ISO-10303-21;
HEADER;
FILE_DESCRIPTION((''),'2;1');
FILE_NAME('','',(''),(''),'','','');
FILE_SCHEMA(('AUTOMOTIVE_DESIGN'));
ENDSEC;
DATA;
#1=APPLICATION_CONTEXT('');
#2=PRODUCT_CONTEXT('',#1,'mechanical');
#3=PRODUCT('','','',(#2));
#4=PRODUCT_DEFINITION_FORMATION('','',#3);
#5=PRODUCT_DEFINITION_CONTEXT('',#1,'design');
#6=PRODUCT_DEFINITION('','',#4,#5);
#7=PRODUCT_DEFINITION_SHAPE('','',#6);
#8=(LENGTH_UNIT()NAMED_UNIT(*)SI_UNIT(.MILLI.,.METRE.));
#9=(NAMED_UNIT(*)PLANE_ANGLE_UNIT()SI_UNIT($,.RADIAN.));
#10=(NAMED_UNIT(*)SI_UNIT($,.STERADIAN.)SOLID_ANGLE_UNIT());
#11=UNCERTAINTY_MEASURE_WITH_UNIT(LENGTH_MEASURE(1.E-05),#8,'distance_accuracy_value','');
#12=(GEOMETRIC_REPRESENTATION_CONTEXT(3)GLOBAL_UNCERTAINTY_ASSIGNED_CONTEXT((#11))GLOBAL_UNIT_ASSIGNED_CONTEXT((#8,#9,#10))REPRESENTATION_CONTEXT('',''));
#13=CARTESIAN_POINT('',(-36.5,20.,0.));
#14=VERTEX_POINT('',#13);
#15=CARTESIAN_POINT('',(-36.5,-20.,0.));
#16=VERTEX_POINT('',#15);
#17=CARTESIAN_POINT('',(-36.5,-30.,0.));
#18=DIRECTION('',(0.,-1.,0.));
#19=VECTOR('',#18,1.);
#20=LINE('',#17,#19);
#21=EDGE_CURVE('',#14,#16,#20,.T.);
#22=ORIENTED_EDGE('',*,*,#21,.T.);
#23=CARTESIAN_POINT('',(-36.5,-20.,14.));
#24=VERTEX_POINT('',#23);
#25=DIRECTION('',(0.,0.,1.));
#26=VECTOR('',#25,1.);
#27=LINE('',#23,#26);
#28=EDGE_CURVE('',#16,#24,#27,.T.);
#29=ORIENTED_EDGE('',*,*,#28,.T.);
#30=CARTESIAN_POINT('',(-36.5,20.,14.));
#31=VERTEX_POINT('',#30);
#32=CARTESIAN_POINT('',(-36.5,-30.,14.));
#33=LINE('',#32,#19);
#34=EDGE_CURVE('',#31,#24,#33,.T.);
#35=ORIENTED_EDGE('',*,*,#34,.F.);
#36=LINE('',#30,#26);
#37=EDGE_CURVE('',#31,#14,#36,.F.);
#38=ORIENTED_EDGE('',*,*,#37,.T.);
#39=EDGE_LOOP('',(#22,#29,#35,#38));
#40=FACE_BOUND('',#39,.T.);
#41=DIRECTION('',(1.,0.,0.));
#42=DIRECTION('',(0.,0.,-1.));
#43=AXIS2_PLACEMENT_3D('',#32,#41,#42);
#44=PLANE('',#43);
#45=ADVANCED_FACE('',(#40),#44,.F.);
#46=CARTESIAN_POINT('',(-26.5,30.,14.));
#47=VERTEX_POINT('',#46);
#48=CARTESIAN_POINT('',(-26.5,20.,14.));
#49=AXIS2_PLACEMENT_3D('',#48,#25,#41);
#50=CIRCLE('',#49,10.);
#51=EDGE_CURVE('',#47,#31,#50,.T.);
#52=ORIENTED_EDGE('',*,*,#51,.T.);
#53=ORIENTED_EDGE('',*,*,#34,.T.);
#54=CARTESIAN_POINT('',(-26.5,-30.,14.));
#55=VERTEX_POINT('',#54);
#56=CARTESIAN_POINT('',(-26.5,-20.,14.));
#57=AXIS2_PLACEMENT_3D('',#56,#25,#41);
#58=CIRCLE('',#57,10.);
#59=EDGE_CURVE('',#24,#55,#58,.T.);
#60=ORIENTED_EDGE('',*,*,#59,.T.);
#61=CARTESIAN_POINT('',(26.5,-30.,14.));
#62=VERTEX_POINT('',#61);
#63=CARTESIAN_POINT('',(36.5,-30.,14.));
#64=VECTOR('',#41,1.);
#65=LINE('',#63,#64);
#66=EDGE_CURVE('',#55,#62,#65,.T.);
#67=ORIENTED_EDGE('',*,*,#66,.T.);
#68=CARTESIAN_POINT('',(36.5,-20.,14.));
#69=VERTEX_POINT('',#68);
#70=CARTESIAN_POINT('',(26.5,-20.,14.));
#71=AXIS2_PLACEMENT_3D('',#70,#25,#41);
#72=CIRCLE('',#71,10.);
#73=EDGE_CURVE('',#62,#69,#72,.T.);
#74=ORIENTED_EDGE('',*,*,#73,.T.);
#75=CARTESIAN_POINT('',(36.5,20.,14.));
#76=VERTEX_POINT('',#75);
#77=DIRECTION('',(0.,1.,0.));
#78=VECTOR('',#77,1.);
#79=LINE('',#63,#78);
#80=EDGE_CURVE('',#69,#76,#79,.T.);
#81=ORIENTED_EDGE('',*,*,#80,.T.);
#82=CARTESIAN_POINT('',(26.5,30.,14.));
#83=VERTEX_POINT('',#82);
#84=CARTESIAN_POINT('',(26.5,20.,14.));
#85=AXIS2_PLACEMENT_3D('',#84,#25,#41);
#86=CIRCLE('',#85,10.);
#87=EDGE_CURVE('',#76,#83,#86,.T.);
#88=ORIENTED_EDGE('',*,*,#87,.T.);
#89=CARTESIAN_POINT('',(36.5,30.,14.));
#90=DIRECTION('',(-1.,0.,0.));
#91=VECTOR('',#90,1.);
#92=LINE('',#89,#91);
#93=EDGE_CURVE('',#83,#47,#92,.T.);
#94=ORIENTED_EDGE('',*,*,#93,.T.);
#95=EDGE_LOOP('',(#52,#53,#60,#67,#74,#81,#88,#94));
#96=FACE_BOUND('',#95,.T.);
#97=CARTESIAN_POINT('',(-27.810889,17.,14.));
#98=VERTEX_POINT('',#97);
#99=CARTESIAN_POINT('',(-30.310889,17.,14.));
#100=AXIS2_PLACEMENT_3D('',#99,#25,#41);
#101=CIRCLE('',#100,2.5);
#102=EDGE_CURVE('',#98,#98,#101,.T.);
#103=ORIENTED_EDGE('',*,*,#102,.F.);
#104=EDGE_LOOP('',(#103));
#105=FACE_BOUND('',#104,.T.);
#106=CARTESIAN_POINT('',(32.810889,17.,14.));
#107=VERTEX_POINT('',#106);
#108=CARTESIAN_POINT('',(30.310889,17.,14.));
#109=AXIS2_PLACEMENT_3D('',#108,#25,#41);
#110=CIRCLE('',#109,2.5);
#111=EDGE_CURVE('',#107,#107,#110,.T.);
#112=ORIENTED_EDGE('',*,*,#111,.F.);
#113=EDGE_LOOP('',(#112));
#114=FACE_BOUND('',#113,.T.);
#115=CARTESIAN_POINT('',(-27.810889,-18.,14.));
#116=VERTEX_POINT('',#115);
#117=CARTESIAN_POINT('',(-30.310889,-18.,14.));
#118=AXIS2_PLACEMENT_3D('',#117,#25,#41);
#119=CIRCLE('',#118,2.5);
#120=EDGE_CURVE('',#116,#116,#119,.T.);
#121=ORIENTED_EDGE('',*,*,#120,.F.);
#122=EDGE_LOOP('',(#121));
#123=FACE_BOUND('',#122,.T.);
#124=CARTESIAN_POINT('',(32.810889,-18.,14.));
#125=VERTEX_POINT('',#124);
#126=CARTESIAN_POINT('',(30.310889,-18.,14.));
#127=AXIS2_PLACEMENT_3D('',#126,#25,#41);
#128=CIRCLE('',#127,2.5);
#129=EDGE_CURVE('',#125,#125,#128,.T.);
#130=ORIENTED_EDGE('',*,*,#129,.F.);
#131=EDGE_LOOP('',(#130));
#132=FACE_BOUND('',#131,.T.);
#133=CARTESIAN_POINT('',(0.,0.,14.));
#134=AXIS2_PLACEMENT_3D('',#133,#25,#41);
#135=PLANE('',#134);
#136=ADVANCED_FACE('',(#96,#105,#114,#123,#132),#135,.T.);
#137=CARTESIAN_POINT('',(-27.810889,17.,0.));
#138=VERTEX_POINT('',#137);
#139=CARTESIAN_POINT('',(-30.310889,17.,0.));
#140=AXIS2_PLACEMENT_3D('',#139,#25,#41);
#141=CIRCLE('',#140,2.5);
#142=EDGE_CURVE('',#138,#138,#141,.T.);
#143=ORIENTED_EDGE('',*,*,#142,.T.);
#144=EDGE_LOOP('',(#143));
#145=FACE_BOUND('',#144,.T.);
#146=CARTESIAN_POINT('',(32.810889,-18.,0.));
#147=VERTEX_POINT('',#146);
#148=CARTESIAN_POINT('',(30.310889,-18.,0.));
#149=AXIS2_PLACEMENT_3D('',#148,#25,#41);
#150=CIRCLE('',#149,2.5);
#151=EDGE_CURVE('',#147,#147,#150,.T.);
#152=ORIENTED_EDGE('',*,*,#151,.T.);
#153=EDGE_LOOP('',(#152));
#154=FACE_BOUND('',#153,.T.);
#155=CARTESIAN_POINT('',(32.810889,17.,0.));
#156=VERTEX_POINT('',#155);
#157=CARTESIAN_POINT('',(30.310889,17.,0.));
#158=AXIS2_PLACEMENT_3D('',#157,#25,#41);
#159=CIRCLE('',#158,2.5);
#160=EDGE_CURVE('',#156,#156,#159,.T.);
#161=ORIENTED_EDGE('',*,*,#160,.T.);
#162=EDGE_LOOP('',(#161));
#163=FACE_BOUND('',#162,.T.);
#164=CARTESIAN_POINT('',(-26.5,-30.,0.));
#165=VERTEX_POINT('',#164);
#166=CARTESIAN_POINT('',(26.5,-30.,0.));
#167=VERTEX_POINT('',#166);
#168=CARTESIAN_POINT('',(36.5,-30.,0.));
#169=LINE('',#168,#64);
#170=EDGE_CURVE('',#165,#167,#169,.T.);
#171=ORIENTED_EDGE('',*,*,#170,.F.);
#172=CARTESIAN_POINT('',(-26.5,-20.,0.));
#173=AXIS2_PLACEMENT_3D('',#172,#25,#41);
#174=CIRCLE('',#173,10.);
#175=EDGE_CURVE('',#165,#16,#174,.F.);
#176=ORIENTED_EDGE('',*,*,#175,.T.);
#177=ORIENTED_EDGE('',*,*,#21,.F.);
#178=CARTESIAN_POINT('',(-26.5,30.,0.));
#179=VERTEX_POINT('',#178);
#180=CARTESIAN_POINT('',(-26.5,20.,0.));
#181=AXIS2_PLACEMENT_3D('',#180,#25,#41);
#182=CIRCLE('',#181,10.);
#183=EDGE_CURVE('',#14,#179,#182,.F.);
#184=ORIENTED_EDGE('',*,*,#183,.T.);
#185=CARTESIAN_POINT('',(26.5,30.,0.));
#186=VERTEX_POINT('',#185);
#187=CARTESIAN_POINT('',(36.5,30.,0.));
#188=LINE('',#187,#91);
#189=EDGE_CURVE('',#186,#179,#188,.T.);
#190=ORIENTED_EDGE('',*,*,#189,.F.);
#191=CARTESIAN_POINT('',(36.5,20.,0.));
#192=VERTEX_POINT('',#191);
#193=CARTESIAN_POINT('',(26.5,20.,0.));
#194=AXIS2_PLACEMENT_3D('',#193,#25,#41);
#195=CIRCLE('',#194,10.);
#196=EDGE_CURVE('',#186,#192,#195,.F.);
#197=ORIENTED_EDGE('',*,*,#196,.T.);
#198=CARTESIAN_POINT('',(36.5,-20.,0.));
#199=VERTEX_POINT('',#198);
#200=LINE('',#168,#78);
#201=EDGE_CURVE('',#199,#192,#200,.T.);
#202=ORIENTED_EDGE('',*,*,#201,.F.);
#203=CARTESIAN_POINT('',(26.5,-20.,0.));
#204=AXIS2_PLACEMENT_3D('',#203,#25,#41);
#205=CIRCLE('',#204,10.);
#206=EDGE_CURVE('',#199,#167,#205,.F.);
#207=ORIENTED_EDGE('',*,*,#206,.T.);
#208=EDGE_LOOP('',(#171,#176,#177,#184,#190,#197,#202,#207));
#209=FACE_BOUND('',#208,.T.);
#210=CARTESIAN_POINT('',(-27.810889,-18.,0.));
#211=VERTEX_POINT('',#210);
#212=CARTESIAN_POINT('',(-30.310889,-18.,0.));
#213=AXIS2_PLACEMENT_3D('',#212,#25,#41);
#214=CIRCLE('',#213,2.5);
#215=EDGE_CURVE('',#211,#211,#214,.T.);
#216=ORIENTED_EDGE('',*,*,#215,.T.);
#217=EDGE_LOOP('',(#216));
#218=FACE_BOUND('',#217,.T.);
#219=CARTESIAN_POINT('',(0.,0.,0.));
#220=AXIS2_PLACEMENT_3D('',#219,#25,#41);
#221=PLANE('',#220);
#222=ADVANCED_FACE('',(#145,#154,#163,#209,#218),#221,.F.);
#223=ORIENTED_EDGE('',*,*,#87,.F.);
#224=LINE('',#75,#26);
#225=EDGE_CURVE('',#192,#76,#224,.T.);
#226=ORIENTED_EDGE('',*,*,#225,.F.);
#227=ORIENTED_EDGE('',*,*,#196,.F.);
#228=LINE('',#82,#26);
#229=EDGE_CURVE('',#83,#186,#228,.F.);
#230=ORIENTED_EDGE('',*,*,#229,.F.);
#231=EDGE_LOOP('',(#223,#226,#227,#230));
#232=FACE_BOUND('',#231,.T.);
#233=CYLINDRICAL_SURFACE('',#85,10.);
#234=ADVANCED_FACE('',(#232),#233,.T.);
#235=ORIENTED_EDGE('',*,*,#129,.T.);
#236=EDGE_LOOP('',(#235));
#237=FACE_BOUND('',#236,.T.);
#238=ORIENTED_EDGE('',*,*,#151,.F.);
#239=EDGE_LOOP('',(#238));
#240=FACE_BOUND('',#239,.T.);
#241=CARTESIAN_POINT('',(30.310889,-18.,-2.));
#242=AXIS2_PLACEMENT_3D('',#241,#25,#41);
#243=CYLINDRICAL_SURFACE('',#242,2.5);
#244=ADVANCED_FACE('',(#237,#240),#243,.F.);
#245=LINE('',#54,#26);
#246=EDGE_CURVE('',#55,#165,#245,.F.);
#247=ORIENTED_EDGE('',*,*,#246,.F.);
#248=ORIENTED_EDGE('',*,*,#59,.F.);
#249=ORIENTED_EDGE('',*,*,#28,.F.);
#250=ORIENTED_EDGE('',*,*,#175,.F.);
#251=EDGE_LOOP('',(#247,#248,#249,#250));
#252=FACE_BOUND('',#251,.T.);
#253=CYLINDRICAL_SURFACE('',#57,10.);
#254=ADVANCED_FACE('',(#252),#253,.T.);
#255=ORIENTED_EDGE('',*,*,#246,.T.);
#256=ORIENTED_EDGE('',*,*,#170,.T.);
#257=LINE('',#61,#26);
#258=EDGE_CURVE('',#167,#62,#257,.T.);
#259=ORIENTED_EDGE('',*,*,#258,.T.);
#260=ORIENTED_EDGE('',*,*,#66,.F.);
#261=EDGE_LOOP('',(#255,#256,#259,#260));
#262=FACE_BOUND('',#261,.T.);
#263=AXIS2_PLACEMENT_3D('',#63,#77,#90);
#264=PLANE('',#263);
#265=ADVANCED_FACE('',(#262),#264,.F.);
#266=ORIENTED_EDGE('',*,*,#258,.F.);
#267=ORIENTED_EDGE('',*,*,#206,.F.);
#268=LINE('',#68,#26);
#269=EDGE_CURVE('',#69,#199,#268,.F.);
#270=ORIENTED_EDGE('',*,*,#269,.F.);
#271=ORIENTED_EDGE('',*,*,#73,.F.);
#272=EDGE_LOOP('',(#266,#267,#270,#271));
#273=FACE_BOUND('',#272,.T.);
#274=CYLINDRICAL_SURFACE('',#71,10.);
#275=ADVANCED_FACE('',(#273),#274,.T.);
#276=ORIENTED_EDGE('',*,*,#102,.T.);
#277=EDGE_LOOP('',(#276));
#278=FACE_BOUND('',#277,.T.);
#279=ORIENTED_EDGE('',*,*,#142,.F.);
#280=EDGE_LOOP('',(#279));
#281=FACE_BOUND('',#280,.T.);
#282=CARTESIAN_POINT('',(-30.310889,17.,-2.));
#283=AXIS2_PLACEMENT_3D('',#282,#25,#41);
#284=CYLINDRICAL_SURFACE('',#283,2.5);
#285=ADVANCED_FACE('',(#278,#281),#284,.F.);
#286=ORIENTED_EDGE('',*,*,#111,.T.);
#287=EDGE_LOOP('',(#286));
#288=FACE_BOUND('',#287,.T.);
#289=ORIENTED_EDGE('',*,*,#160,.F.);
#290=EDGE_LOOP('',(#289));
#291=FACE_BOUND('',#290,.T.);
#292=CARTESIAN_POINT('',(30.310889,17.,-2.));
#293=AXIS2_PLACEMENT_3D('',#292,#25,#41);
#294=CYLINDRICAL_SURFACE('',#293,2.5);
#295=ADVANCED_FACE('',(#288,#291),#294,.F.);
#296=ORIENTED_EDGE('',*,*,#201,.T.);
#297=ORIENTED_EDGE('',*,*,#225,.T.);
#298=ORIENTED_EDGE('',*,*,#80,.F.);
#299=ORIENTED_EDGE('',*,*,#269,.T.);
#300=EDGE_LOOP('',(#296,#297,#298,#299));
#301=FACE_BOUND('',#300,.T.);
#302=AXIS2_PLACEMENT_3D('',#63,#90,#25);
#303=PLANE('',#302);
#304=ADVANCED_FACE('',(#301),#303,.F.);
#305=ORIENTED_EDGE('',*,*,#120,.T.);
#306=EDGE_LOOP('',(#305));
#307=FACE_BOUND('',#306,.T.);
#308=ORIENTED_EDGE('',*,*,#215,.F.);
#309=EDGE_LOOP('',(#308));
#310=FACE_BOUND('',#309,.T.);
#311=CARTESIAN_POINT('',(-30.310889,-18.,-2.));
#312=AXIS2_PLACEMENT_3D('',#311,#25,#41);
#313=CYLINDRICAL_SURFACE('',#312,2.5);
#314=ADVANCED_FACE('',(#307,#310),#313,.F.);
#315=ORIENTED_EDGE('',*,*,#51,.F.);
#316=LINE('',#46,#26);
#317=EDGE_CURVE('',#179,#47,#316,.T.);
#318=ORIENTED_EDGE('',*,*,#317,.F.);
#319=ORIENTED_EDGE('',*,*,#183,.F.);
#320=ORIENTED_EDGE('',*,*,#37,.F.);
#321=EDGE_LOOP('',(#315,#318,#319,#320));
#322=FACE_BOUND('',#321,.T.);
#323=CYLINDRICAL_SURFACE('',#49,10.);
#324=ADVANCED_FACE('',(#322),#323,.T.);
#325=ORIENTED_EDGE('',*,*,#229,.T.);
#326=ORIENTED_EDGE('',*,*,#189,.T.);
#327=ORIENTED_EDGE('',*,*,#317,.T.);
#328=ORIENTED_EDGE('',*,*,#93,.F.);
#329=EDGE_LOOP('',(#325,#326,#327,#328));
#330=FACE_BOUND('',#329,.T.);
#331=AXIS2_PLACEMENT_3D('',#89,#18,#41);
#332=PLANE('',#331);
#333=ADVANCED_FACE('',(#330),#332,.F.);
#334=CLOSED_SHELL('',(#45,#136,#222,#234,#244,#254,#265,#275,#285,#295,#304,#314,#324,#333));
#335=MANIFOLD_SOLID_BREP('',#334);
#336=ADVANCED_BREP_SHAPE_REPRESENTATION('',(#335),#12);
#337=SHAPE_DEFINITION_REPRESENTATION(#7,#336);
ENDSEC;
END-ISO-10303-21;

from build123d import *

# Parameters (mm, degrees)
SKETCH1_W          = 73
SKETCH1_H          = 60
PLATE_DEPTH        = 14
SKETCH2_R          = 2.5
CUT_EXTRUDE4_DEPTH = 16
FILLET1_R          = 10
FILLET2_R          = 10
FILLET3_R          = 10
FILLET4_R          = 10


with BuildPart() as part:
    # Sketch1 → Plate (new body)
    with BuildSketch(Plane.XY):
        Rectangle(SKETCH1_W, SKETCH1_H)
    extrude(amount=PLATE_DEPTH)

    # Sketch2 → Cut-Extrude4 (cut)
    with BuildSketch(Plane.XY.offset(14)):
        with Locations((-30.310889135, 17)):
            Circle(SKETCH2_R)
        with Locations((30.310889135, 17)):
            Circle(SKETCH2_R)
        with Locations((30.310889135, -18)):
            Circle(SKETCH2_R)
        with Locations((-30.310889135, -18)):
            Circle(SKETCH2_R)
    extrude(amount=-CUT_EXTRUDE4_DEPTH, mode=Mode.SUBTRACT)

    # Fillet1
    fillet1_edges = [part.edges().sort_by_distance(p)[0] for p in [
        (36.5, -30, 7),
    ]]
    fillet(fillet1_edges, radius=FILLET1_R)

    # Fillet2
    fillet2_edges = [part.edges().sort_by_distance(p)[0] for p in [
        (36.5, 30, 7),
    ]]
    fillet(fillet2_edges, radius=FILLET2_R)

    # Fillet3
    fillet3_edges = [part.edges().sort_by_distance(p)[0] for p in [
        (-36.5, 30, 7),
    ]]
    fillet(fillet3_edges, radius=FILLET3_R)

    # Fillet4
    fillet4_edges = [part.edges().sort_by_distance(p)[0] for p in [
        (-36.5, -30, 7),
    ]]
    fillet(fillet4_edges, radius=FILLET4_R)


solid = part.part
